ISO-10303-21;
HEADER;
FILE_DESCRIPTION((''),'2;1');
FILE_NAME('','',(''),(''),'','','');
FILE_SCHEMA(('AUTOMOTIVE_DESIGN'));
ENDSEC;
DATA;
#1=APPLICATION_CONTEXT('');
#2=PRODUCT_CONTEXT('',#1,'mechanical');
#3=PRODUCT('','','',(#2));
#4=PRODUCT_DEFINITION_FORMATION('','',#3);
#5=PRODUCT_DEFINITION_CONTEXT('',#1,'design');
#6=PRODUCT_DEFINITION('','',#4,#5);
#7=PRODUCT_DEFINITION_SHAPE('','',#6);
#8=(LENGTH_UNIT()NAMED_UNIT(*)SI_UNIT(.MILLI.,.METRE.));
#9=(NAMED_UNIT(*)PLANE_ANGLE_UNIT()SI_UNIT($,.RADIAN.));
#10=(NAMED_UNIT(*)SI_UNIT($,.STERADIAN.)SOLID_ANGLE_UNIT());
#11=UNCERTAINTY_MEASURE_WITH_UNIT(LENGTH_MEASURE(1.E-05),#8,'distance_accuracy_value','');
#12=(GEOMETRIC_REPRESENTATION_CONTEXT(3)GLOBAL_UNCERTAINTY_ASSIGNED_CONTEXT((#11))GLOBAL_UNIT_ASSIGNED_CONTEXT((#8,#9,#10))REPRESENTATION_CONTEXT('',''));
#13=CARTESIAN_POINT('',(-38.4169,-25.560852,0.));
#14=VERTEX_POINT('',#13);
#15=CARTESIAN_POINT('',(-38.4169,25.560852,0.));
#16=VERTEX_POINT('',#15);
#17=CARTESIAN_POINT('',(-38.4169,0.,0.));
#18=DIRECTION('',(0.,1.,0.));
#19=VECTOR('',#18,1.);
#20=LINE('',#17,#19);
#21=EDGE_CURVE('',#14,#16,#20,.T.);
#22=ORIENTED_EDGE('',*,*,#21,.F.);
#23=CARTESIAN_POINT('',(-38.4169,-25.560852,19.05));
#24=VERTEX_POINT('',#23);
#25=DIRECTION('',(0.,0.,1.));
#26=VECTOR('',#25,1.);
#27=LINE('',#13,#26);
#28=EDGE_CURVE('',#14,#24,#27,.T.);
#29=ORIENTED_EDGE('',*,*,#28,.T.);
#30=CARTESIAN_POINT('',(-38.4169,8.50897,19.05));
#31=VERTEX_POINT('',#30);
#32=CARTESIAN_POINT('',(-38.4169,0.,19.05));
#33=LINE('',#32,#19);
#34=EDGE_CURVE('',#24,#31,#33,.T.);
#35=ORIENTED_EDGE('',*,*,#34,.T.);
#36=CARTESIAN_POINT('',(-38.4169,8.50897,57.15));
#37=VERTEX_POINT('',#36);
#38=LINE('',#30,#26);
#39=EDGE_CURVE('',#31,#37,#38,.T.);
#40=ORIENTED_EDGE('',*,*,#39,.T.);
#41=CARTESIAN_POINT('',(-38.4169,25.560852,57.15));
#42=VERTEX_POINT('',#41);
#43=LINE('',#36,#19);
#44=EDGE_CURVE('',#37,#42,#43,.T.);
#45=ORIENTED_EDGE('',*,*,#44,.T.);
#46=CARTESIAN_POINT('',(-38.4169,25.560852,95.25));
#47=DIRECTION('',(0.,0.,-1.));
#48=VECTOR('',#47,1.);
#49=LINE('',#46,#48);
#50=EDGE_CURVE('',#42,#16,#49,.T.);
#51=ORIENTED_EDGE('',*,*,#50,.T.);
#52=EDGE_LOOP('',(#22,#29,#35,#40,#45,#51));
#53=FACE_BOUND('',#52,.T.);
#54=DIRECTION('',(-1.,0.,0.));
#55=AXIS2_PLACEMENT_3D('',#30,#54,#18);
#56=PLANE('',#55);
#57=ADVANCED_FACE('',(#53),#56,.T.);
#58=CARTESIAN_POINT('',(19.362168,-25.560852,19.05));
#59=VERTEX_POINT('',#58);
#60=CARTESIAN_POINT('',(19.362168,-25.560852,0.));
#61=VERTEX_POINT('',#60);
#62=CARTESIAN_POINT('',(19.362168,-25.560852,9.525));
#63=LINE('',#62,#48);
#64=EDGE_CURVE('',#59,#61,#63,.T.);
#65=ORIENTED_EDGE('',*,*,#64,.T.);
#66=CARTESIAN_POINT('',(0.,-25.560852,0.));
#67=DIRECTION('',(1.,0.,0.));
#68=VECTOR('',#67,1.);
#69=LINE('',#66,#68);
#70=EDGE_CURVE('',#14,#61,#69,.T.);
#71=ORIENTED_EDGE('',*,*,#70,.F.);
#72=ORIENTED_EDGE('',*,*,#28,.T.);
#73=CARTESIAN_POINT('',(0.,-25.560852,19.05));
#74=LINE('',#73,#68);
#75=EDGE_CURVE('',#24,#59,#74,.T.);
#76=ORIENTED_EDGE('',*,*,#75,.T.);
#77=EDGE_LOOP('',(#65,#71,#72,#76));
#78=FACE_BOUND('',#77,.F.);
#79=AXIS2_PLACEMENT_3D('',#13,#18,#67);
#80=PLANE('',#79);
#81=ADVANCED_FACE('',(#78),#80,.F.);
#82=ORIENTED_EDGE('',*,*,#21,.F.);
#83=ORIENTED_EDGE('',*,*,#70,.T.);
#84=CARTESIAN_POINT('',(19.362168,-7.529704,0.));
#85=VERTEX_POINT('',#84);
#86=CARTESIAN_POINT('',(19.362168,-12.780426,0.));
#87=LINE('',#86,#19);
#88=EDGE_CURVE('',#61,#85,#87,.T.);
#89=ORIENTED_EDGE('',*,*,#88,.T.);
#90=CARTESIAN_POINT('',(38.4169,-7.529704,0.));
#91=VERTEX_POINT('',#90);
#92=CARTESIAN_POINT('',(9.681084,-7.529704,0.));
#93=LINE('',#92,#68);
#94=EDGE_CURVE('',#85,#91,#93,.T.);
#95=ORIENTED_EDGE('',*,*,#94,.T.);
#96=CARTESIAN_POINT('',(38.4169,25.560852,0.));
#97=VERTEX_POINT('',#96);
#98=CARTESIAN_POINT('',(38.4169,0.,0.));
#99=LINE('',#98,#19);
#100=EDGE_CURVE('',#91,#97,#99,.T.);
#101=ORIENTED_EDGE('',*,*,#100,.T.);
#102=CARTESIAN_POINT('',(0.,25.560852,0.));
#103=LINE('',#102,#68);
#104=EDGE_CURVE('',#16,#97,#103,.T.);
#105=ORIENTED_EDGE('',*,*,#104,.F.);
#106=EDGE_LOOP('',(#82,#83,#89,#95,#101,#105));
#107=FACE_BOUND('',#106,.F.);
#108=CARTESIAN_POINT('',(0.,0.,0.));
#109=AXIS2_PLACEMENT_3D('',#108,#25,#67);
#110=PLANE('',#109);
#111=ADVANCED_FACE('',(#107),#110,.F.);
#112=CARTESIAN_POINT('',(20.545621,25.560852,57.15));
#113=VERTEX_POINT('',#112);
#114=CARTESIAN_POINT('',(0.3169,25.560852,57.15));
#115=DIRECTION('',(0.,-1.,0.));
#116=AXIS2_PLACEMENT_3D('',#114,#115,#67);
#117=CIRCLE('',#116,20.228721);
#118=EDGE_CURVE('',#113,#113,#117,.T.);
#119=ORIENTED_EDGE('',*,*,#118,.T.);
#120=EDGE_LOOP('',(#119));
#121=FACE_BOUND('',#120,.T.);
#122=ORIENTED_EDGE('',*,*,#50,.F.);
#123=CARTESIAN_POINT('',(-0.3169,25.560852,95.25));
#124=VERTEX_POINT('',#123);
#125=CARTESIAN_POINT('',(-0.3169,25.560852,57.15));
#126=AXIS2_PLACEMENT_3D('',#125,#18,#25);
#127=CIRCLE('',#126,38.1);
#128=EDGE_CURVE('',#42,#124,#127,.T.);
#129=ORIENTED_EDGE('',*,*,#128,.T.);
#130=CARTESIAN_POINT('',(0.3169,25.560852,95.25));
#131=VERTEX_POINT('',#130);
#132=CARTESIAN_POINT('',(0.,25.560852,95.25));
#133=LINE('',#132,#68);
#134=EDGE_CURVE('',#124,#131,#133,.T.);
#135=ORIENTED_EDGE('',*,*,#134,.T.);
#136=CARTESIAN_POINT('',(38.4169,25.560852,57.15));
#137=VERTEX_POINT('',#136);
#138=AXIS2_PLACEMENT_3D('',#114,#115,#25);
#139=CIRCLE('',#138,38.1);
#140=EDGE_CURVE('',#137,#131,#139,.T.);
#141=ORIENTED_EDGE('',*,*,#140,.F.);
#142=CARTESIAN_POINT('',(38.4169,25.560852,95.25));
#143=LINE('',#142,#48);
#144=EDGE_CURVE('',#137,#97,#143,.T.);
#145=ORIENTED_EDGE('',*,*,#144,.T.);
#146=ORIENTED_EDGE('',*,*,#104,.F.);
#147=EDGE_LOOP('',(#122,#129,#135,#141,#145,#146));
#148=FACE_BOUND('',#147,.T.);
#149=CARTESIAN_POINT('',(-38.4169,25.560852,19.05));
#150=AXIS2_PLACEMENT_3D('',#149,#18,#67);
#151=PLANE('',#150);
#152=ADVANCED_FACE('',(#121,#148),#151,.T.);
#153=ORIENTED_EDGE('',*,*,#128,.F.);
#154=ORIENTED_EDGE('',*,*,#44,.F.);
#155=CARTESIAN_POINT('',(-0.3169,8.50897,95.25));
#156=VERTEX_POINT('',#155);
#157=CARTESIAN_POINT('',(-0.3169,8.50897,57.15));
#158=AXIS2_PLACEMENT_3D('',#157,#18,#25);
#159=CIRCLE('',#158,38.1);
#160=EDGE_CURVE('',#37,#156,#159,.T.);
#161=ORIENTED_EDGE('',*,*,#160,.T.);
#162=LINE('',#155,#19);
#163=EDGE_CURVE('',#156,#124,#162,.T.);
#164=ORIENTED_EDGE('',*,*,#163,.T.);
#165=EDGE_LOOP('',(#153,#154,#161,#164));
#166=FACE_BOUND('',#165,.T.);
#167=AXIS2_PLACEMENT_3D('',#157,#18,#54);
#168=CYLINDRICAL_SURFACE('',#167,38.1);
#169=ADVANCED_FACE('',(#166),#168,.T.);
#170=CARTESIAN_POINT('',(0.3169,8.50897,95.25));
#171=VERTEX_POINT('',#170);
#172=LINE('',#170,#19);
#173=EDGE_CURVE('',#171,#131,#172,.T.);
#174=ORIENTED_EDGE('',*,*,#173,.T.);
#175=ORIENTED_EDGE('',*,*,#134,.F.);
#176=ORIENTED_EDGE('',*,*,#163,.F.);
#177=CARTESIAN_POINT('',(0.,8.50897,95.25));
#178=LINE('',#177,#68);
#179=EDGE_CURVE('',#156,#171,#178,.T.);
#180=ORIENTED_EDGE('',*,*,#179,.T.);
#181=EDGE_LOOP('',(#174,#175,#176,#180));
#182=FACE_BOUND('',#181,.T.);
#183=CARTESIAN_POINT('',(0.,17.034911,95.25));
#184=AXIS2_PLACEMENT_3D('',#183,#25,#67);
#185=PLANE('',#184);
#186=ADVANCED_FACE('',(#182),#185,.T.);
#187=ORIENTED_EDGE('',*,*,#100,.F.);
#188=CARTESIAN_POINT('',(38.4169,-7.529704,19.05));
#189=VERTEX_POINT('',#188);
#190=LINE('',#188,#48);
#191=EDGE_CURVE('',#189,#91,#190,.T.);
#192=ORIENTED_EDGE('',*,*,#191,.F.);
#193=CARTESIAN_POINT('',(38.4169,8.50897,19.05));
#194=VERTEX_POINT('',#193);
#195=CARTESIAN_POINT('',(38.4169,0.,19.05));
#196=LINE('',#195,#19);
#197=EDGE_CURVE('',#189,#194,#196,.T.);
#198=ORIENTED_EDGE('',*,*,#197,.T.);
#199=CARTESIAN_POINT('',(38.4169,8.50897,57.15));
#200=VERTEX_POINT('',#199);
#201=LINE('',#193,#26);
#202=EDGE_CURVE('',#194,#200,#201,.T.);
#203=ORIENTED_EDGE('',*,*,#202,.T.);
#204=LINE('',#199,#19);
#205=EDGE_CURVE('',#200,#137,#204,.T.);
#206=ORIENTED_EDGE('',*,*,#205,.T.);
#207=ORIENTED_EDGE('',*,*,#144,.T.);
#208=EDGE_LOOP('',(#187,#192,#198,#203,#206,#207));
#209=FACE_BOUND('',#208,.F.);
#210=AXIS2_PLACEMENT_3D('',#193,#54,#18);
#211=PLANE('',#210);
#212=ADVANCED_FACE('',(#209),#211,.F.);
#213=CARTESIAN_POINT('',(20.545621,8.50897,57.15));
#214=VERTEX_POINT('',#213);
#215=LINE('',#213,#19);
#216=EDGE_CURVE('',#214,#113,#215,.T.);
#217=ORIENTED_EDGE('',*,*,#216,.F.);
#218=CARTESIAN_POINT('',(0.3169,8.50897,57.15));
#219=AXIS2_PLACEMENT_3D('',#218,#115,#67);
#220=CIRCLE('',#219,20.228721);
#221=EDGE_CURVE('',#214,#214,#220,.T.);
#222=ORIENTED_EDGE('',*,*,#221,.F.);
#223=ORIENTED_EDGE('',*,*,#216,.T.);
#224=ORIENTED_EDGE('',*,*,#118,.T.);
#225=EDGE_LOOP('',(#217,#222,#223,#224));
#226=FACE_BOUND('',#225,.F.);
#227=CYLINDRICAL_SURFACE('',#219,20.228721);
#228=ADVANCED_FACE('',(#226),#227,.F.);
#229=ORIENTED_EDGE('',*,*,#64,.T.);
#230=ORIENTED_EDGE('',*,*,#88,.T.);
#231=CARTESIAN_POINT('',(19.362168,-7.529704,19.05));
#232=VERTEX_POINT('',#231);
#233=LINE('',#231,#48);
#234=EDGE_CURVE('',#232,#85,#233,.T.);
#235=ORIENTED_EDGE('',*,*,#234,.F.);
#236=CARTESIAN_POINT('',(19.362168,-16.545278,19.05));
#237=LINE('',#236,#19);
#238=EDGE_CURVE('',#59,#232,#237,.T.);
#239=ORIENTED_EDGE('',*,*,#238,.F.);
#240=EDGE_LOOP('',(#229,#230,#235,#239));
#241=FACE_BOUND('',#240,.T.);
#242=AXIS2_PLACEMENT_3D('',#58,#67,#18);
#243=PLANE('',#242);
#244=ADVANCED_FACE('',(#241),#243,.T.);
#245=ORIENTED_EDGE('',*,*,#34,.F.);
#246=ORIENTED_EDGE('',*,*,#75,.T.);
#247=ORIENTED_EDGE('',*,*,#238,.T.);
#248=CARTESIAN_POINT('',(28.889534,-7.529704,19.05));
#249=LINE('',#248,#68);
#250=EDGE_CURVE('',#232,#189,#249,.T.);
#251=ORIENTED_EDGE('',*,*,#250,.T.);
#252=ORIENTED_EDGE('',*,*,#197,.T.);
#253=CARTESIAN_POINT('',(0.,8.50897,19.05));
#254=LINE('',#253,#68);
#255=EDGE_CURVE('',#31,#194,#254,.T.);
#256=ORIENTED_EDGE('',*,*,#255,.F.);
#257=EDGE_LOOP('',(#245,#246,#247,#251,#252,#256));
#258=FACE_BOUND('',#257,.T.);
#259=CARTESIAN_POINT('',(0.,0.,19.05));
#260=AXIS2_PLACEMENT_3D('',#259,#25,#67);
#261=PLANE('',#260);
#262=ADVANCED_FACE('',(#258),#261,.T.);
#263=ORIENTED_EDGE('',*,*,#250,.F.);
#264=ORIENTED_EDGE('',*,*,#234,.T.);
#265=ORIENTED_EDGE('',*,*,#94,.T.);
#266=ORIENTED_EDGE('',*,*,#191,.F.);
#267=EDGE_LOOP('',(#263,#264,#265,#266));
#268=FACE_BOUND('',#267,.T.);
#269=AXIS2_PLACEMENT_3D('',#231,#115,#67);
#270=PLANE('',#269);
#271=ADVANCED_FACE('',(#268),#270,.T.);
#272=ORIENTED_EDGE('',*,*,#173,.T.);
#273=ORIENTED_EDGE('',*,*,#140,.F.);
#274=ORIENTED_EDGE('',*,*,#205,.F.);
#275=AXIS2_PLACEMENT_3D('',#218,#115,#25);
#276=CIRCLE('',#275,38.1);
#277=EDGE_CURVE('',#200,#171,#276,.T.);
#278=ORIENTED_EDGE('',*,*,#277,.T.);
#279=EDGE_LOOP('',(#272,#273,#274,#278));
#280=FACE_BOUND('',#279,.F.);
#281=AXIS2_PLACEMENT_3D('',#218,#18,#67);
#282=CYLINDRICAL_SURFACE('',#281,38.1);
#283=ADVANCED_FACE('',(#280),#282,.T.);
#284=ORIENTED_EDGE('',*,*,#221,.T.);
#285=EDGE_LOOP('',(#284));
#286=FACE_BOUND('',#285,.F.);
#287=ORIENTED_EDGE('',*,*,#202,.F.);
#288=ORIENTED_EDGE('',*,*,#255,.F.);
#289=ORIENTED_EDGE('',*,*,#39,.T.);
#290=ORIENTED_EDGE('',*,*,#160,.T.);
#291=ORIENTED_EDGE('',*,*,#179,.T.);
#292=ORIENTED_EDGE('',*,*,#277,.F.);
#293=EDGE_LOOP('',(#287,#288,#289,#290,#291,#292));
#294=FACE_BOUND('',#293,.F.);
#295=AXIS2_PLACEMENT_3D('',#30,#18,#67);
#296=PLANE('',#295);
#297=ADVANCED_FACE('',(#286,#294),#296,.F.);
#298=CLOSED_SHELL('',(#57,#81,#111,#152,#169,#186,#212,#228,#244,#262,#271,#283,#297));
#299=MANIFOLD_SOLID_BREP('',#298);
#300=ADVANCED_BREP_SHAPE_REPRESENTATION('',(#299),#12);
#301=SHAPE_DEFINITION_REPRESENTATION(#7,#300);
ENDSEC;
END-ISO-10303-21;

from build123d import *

# Parameters (mm, degrees)
F0_W     = 76.8338
F0_H     = 51.121704
F1_DEPTH = 19.05
F2_W     = 19.054732
F2_H     = 18.031149
F3_DEPTH = 22.606
F4_W     = 76.8338
F4_H     = 17.051882
F5_DEPTH = 76.2
F6_R     = 38.1
F7_R     = 20.228721
F8_DEPTH = 25.4


with BuildPart() as f1:
    # F0 (on Top) → F1 (new body)
    with BuildSketch(Plane.XY):
        Rectangle(F0_W, F0_H)
    extrude(amount=F1_DEPTH)

    # F2 (on face) → F3 (cut)
    with BuildSketch(Plane.XY.offset(19.05)):
        with Locations((28.889534, -16.545278)):
            Rectangle(F2_W, F2_H)
    extrude(amount=-F3_DEPTH, mode=Mode.SUBTRACT)

    # F4 (on face) → F5 (join)
    with BuildSketch(Plane.XY.offset(19.05)):
        with Locations((0, 17.034911)):
            Rectangle(F4_W, F4_H)
    extrude(amount=F5_DEPTH)

    # F6
    f6_edges = [f1.edges().sort_by_distance(p)[0] for p in [
        (-38.4169, 17.034911, 95.25),
        (38.4169, 17.034911, 95.25),
    ]]
    fillet(f6_edges, radius=F6_R)

    # F7 (on face) → F8 (cut)
    with BuildSketch(Plane.XZ.offset(-8.50897)):
        with Locations((0.3169, 57.15)):
            Circle(F7_R)
    extrude(amount=-F8_DEPTH, mode=Mode.SUBTRACT)


solid = f1.part
